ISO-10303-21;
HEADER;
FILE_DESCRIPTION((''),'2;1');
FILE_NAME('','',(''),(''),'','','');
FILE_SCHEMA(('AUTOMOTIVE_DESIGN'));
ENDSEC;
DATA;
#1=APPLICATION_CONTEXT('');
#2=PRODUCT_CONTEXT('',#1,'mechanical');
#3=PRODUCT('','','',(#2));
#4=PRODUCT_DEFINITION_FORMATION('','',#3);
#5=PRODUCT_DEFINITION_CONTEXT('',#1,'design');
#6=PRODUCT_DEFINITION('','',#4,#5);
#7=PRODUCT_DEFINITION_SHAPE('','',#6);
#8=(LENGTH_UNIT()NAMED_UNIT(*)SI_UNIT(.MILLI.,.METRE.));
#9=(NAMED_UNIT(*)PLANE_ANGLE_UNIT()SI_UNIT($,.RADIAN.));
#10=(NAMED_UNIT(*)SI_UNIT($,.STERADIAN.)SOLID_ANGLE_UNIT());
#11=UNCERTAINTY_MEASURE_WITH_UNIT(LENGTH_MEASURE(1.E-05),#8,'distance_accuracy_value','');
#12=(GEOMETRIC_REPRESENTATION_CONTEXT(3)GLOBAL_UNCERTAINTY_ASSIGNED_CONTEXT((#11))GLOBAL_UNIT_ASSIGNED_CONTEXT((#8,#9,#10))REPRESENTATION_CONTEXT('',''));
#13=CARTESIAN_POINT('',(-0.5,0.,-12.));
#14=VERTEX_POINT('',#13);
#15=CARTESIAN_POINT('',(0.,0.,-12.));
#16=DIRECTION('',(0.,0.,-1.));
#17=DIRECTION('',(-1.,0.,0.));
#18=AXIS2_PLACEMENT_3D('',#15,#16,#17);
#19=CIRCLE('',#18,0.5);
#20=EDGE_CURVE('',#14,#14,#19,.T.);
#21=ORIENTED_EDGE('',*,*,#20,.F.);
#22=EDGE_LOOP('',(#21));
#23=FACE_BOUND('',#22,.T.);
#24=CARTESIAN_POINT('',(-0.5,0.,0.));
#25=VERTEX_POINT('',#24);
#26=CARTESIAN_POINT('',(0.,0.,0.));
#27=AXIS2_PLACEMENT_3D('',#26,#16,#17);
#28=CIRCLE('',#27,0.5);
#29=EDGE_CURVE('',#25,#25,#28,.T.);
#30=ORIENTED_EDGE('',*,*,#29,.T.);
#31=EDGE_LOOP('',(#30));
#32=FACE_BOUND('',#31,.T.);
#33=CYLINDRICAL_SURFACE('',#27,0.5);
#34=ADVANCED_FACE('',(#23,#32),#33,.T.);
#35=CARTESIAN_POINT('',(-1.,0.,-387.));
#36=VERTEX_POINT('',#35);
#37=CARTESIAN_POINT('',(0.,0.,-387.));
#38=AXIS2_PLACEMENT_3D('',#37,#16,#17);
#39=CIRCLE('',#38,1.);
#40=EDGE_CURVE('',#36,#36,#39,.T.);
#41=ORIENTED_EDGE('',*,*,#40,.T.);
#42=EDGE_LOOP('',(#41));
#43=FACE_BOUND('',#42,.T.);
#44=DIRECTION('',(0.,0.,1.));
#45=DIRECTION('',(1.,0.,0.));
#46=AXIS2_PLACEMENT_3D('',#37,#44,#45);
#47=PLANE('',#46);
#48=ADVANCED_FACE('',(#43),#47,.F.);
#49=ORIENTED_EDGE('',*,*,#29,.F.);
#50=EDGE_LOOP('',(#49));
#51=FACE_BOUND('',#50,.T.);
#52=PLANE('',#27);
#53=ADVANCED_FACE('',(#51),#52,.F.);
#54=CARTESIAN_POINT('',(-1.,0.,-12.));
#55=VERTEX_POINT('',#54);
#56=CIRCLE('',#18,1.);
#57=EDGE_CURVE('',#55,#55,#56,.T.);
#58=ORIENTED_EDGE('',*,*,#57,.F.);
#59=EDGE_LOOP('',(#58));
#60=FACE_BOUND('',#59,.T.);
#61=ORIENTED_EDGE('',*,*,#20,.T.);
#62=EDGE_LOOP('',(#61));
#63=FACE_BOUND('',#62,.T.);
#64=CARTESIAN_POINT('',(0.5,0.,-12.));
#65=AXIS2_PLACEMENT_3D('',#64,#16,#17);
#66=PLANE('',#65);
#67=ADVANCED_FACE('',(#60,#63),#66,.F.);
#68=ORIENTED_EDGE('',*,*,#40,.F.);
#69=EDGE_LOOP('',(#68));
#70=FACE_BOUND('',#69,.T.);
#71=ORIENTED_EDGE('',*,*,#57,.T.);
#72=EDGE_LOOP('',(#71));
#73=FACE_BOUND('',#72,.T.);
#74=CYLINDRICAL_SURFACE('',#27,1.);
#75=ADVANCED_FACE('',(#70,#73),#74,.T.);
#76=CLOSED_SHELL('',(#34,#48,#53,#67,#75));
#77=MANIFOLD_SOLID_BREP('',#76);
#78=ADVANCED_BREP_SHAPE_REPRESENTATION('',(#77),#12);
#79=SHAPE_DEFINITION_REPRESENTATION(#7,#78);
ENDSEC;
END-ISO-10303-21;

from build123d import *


with BuildPart() as part:
    # Sketch1 → Revolve1 (revolve)
    with BuildSketch(Plane(origin=(0, 0, 0), x_dir=(1, 0, 0), z_dir=(0, 1, 0)), mode=Mode.PRIVATE) as revolve1_sk:
        Polygon((0, 0), (0, 387), (1, 387), (1, 12), (0.5, 12), (0.5, 0), align=None)
    revolve(revolve1_sk.sketch.rotate(Axis((0, 0, 0), (0, 0, 1)), 180), axis=Axis((0, 0, 0), (0, 0, 1)))  # turned: the seam where the file's is


solid = part.part
